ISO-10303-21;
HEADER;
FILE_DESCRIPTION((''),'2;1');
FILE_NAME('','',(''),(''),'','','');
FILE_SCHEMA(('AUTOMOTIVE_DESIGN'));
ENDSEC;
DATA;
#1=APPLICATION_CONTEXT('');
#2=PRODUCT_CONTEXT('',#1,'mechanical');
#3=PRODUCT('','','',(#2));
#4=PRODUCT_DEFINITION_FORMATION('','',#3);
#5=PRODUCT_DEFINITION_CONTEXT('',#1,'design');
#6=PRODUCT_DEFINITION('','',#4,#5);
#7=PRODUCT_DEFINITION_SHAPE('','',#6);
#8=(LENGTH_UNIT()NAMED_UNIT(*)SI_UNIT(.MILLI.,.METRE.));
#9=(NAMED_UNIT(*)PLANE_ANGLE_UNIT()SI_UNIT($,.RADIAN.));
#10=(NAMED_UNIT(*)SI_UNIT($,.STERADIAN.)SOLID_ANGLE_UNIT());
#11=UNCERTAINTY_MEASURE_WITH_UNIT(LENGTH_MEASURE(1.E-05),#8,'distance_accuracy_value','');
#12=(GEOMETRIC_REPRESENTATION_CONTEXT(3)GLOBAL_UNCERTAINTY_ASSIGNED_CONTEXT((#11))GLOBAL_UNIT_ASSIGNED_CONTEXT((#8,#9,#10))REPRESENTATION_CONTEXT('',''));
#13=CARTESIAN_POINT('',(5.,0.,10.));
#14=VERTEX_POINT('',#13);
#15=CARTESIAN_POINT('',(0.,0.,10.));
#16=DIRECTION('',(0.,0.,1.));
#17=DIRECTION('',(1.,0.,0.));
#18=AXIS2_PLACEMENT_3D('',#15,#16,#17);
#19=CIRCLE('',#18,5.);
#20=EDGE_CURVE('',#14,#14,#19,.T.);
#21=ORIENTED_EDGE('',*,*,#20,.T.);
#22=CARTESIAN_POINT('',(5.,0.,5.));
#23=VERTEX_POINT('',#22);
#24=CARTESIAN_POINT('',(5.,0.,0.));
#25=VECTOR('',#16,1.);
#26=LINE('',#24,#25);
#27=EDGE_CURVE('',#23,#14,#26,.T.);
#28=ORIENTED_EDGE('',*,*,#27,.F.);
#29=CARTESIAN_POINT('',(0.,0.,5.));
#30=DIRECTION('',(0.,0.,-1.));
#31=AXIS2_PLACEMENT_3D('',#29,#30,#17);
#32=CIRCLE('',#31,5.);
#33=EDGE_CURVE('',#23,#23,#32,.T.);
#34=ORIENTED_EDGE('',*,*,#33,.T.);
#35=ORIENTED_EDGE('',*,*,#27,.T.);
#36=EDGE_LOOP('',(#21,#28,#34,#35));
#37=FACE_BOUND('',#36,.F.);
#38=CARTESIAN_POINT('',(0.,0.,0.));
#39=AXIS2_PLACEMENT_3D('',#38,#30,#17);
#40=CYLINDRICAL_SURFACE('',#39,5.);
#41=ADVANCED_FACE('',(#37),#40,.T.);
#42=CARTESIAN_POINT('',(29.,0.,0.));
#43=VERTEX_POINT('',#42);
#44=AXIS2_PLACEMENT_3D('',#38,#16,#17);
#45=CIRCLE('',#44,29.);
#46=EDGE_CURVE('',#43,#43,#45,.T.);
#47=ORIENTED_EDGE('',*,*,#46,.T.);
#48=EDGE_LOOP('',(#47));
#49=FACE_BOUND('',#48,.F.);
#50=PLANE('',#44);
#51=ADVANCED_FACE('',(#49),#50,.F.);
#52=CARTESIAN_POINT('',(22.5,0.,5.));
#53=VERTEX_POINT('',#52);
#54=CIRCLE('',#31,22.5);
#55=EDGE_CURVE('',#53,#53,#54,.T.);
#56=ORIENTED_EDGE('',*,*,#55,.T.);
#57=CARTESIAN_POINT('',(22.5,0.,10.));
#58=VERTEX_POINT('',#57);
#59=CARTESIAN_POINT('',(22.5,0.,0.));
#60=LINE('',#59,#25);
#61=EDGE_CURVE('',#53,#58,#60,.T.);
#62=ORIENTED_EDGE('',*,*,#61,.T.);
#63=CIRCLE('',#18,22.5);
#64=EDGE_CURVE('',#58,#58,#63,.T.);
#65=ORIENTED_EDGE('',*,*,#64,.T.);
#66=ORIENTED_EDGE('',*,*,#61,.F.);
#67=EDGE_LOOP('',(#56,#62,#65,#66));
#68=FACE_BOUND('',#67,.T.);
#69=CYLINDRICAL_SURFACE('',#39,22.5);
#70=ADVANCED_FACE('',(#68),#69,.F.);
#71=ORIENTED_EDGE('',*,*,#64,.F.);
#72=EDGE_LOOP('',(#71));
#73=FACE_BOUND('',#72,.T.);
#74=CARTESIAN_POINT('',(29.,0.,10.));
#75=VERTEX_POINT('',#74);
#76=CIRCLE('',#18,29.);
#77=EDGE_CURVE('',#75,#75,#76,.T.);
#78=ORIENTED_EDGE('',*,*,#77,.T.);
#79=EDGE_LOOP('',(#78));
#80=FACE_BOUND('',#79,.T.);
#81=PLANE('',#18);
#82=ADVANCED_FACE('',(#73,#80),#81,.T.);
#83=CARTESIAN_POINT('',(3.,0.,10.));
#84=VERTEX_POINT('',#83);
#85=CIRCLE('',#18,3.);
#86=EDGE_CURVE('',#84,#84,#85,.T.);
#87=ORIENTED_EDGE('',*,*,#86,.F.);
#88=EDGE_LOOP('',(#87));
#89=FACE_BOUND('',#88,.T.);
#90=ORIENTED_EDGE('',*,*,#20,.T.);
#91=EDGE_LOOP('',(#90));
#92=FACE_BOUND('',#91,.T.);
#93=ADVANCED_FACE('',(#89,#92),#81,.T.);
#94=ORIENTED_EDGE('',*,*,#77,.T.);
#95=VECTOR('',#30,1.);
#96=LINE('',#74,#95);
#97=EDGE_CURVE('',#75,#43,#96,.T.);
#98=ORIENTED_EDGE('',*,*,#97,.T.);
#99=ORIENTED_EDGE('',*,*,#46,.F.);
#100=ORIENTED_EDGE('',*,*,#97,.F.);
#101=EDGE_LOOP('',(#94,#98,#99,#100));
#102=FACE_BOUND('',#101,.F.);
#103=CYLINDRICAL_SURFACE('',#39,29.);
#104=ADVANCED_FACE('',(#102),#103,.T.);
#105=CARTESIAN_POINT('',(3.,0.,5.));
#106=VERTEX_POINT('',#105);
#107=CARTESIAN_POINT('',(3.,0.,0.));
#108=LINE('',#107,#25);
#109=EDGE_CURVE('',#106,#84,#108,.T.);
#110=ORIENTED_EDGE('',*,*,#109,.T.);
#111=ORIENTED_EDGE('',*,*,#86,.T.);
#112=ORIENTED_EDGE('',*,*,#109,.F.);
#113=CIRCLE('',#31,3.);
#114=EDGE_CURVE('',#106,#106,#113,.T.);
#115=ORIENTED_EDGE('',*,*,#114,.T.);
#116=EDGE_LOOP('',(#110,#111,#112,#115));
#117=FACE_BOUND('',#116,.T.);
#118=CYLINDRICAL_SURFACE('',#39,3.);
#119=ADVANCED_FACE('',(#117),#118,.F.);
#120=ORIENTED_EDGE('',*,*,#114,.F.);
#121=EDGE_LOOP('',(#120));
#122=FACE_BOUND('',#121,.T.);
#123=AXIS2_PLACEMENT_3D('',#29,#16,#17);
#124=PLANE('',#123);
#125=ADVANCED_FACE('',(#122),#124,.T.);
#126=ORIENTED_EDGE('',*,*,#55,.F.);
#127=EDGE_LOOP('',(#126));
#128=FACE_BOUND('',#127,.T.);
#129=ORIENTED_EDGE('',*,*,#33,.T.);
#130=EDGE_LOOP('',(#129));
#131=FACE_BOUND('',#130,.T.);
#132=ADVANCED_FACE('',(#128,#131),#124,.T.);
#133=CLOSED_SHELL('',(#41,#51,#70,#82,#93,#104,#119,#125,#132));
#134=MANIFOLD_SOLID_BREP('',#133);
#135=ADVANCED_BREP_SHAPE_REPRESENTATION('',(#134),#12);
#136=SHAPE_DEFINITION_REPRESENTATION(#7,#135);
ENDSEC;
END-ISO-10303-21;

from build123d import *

# Parameters (mm, degrees)
F0_R     = 29
F0_R_2   = 22.5
F0_R_3   = 5
F0_R_4   = 3
F1_DEPTH = 5
F2_DEPTH = 10


with BuildPart() as f1:
    # F0 (on Top) → F1 (new body)
    with BuildSketch(Plane.XY):
        Circle(F0_R)
        Circle(F0_R_2, mode=Mode.SUBTRACT)
        Circle(F0_R_2)
        Circle(F0_R_3, mode=Mode.SUBTRACT)
        Circle(F0_R_3)
        Circle(F0_R_4, mode=Mode.SUBTRACT)
        Circle(F0_R_4)
    extrude(amount=F1_DEPTH)

    # F0 (on Top) → F2 (join)
    with BuildSketch(Plane.XY):
        Circle(F0_R)
        Circle(F0_R_2, mode=Mode.SUBTRACT)
        Circle(F0_R_3)
        Circle(F0_R_4, mode=Mode.SUBTRACT)
    extrude(amount=F2_DEPTH)


solid = f1.part
